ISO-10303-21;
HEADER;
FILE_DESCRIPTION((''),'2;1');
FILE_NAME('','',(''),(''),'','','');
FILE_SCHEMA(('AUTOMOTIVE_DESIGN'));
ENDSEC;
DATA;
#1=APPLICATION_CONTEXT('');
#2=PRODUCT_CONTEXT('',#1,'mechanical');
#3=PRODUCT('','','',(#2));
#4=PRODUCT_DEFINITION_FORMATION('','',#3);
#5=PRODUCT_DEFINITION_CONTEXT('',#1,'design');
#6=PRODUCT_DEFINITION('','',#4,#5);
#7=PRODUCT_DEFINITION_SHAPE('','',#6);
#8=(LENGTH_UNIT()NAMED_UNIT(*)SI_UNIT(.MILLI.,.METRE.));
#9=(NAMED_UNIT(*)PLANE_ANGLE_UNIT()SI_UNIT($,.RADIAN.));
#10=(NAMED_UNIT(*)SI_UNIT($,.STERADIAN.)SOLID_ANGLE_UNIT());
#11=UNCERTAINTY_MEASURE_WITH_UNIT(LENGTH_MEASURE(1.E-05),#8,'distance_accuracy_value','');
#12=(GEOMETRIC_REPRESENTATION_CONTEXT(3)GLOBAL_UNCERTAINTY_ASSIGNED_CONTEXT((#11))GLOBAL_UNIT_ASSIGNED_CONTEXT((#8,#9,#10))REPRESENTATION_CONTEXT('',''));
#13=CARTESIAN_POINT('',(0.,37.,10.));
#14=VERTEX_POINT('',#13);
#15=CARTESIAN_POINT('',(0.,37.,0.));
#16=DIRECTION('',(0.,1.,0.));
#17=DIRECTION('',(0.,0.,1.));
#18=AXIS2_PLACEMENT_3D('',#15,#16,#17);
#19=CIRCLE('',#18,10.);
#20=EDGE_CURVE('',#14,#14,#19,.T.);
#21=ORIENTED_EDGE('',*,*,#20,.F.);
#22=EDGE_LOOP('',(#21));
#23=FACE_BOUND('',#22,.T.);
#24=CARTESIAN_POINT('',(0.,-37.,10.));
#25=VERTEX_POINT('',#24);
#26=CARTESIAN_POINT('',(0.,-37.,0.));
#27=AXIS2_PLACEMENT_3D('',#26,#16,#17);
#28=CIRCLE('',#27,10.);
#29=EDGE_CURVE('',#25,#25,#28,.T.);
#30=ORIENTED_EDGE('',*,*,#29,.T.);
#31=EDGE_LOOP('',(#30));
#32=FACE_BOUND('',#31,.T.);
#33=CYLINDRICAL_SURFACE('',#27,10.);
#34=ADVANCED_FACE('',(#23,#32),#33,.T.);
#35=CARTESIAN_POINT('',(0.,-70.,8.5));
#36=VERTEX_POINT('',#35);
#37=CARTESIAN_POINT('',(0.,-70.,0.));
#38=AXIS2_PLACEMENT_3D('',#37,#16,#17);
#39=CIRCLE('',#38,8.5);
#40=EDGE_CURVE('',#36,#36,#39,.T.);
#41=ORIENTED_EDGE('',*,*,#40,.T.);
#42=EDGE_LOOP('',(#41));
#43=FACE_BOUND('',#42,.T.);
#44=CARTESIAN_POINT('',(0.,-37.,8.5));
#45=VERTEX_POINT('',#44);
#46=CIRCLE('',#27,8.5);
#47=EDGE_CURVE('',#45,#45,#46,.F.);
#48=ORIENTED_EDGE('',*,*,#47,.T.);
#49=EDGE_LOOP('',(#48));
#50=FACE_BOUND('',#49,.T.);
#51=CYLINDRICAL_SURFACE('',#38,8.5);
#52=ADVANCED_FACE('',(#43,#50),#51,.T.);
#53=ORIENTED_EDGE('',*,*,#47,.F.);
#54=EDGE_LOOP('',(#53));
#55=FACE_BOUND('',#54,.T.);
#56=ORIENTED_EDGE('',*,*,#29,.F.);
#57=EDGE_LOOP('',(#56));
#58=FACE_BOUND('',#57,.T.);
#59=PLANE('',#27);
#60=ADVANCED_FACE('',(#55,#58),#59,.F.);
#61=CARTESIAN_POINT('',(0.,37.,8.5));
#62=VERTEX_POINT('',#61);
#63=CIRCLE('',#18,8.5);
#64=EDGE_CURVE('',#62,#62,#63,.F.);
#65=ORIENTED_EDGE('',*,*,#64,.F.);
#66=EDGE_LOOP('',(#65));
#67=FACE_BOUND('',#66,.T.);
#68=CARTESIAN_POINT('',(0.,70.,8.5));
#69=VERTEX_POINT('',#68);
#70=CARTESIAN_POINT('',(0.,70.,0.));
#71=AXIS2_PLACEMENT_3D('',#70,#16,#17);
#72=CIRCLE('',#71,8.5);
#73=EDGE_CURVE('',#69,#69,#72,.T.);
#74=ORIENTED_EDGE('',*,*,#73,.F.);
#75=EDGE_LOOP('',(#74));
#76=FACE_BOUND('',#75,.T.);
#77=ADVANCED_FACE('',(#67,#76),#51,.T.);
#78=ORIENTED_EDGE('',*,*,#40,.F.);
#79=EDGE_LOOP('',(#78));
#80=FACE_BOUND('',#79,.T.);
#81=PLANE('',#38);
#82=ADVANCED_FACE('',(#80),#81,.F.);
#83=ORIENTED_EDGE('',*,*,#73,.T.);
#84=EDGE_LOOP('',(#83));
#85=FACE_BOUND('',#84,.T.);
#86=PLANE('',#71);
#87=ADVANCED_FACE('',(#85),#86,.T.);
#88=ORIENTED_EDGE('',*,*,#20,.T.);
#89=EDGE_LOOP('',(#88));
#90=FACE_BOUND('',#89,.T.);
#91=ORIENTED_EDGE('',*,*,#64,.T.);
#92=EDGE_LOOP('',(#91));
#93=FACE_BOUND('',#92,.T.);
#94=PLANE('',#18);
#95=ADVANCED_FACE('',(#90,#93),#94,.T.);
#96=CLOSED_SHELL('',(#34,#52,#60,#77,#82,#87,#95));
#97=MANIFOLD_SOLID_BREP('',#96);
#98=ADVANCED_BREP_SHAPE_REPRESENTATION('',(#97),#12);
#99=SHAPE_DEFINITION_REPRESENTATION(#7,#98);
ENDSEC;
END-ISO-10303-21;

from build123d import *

# Parameters (mm, degrees)
BOSS_EXTRUDE1_DEPTH      = 70
BOSS_EXTRUDE1_DEPTH_BACK = 70
SKETCH1_R                = 8.5
BOSS_EXTRUDE2_DEPTH      = 37
BOSS_EXTRUDE2_DEPTH_BACK = 37
SKETCH2_R                = 10


with BuildPart() as part:
    # Sketch1 → Boss-Extrude1 (new, two sides: drawn at the far end of the back side and taken through both)
    with BuildSketch(Plane(origin=(0, 0, 0), x_dir=(1, 0, 0), z_dir=(0, 1, 0)).offset(-BOSS_EXTRUDE1_DEPTH_BACK)):
        Circle(SKETCH1_R)
    extrude(amount=BOSS_EXTRUDE1_DEPTH + BOSS_EXTRUDE1_DEPTH_BACK)

    # Sketch2 → Boss-Extrude2 (add, two sides: drawn at the far end of the back side and taken through both)
    with BuildSketch(Plane(origin=(0, 0, 0), x_dir=(1, 0, 0), z_dir=(0, 1, 0)).offset(-BOSS_EXTRUDE2_DEPTH_BACK)):
        Circle(SKETCH2_R)
    extrude(amount=BOSS_EXTRUDE2_DEPTH + BOSS_EXTRUDE2_DEPTH_BACK)


solid = part.part
